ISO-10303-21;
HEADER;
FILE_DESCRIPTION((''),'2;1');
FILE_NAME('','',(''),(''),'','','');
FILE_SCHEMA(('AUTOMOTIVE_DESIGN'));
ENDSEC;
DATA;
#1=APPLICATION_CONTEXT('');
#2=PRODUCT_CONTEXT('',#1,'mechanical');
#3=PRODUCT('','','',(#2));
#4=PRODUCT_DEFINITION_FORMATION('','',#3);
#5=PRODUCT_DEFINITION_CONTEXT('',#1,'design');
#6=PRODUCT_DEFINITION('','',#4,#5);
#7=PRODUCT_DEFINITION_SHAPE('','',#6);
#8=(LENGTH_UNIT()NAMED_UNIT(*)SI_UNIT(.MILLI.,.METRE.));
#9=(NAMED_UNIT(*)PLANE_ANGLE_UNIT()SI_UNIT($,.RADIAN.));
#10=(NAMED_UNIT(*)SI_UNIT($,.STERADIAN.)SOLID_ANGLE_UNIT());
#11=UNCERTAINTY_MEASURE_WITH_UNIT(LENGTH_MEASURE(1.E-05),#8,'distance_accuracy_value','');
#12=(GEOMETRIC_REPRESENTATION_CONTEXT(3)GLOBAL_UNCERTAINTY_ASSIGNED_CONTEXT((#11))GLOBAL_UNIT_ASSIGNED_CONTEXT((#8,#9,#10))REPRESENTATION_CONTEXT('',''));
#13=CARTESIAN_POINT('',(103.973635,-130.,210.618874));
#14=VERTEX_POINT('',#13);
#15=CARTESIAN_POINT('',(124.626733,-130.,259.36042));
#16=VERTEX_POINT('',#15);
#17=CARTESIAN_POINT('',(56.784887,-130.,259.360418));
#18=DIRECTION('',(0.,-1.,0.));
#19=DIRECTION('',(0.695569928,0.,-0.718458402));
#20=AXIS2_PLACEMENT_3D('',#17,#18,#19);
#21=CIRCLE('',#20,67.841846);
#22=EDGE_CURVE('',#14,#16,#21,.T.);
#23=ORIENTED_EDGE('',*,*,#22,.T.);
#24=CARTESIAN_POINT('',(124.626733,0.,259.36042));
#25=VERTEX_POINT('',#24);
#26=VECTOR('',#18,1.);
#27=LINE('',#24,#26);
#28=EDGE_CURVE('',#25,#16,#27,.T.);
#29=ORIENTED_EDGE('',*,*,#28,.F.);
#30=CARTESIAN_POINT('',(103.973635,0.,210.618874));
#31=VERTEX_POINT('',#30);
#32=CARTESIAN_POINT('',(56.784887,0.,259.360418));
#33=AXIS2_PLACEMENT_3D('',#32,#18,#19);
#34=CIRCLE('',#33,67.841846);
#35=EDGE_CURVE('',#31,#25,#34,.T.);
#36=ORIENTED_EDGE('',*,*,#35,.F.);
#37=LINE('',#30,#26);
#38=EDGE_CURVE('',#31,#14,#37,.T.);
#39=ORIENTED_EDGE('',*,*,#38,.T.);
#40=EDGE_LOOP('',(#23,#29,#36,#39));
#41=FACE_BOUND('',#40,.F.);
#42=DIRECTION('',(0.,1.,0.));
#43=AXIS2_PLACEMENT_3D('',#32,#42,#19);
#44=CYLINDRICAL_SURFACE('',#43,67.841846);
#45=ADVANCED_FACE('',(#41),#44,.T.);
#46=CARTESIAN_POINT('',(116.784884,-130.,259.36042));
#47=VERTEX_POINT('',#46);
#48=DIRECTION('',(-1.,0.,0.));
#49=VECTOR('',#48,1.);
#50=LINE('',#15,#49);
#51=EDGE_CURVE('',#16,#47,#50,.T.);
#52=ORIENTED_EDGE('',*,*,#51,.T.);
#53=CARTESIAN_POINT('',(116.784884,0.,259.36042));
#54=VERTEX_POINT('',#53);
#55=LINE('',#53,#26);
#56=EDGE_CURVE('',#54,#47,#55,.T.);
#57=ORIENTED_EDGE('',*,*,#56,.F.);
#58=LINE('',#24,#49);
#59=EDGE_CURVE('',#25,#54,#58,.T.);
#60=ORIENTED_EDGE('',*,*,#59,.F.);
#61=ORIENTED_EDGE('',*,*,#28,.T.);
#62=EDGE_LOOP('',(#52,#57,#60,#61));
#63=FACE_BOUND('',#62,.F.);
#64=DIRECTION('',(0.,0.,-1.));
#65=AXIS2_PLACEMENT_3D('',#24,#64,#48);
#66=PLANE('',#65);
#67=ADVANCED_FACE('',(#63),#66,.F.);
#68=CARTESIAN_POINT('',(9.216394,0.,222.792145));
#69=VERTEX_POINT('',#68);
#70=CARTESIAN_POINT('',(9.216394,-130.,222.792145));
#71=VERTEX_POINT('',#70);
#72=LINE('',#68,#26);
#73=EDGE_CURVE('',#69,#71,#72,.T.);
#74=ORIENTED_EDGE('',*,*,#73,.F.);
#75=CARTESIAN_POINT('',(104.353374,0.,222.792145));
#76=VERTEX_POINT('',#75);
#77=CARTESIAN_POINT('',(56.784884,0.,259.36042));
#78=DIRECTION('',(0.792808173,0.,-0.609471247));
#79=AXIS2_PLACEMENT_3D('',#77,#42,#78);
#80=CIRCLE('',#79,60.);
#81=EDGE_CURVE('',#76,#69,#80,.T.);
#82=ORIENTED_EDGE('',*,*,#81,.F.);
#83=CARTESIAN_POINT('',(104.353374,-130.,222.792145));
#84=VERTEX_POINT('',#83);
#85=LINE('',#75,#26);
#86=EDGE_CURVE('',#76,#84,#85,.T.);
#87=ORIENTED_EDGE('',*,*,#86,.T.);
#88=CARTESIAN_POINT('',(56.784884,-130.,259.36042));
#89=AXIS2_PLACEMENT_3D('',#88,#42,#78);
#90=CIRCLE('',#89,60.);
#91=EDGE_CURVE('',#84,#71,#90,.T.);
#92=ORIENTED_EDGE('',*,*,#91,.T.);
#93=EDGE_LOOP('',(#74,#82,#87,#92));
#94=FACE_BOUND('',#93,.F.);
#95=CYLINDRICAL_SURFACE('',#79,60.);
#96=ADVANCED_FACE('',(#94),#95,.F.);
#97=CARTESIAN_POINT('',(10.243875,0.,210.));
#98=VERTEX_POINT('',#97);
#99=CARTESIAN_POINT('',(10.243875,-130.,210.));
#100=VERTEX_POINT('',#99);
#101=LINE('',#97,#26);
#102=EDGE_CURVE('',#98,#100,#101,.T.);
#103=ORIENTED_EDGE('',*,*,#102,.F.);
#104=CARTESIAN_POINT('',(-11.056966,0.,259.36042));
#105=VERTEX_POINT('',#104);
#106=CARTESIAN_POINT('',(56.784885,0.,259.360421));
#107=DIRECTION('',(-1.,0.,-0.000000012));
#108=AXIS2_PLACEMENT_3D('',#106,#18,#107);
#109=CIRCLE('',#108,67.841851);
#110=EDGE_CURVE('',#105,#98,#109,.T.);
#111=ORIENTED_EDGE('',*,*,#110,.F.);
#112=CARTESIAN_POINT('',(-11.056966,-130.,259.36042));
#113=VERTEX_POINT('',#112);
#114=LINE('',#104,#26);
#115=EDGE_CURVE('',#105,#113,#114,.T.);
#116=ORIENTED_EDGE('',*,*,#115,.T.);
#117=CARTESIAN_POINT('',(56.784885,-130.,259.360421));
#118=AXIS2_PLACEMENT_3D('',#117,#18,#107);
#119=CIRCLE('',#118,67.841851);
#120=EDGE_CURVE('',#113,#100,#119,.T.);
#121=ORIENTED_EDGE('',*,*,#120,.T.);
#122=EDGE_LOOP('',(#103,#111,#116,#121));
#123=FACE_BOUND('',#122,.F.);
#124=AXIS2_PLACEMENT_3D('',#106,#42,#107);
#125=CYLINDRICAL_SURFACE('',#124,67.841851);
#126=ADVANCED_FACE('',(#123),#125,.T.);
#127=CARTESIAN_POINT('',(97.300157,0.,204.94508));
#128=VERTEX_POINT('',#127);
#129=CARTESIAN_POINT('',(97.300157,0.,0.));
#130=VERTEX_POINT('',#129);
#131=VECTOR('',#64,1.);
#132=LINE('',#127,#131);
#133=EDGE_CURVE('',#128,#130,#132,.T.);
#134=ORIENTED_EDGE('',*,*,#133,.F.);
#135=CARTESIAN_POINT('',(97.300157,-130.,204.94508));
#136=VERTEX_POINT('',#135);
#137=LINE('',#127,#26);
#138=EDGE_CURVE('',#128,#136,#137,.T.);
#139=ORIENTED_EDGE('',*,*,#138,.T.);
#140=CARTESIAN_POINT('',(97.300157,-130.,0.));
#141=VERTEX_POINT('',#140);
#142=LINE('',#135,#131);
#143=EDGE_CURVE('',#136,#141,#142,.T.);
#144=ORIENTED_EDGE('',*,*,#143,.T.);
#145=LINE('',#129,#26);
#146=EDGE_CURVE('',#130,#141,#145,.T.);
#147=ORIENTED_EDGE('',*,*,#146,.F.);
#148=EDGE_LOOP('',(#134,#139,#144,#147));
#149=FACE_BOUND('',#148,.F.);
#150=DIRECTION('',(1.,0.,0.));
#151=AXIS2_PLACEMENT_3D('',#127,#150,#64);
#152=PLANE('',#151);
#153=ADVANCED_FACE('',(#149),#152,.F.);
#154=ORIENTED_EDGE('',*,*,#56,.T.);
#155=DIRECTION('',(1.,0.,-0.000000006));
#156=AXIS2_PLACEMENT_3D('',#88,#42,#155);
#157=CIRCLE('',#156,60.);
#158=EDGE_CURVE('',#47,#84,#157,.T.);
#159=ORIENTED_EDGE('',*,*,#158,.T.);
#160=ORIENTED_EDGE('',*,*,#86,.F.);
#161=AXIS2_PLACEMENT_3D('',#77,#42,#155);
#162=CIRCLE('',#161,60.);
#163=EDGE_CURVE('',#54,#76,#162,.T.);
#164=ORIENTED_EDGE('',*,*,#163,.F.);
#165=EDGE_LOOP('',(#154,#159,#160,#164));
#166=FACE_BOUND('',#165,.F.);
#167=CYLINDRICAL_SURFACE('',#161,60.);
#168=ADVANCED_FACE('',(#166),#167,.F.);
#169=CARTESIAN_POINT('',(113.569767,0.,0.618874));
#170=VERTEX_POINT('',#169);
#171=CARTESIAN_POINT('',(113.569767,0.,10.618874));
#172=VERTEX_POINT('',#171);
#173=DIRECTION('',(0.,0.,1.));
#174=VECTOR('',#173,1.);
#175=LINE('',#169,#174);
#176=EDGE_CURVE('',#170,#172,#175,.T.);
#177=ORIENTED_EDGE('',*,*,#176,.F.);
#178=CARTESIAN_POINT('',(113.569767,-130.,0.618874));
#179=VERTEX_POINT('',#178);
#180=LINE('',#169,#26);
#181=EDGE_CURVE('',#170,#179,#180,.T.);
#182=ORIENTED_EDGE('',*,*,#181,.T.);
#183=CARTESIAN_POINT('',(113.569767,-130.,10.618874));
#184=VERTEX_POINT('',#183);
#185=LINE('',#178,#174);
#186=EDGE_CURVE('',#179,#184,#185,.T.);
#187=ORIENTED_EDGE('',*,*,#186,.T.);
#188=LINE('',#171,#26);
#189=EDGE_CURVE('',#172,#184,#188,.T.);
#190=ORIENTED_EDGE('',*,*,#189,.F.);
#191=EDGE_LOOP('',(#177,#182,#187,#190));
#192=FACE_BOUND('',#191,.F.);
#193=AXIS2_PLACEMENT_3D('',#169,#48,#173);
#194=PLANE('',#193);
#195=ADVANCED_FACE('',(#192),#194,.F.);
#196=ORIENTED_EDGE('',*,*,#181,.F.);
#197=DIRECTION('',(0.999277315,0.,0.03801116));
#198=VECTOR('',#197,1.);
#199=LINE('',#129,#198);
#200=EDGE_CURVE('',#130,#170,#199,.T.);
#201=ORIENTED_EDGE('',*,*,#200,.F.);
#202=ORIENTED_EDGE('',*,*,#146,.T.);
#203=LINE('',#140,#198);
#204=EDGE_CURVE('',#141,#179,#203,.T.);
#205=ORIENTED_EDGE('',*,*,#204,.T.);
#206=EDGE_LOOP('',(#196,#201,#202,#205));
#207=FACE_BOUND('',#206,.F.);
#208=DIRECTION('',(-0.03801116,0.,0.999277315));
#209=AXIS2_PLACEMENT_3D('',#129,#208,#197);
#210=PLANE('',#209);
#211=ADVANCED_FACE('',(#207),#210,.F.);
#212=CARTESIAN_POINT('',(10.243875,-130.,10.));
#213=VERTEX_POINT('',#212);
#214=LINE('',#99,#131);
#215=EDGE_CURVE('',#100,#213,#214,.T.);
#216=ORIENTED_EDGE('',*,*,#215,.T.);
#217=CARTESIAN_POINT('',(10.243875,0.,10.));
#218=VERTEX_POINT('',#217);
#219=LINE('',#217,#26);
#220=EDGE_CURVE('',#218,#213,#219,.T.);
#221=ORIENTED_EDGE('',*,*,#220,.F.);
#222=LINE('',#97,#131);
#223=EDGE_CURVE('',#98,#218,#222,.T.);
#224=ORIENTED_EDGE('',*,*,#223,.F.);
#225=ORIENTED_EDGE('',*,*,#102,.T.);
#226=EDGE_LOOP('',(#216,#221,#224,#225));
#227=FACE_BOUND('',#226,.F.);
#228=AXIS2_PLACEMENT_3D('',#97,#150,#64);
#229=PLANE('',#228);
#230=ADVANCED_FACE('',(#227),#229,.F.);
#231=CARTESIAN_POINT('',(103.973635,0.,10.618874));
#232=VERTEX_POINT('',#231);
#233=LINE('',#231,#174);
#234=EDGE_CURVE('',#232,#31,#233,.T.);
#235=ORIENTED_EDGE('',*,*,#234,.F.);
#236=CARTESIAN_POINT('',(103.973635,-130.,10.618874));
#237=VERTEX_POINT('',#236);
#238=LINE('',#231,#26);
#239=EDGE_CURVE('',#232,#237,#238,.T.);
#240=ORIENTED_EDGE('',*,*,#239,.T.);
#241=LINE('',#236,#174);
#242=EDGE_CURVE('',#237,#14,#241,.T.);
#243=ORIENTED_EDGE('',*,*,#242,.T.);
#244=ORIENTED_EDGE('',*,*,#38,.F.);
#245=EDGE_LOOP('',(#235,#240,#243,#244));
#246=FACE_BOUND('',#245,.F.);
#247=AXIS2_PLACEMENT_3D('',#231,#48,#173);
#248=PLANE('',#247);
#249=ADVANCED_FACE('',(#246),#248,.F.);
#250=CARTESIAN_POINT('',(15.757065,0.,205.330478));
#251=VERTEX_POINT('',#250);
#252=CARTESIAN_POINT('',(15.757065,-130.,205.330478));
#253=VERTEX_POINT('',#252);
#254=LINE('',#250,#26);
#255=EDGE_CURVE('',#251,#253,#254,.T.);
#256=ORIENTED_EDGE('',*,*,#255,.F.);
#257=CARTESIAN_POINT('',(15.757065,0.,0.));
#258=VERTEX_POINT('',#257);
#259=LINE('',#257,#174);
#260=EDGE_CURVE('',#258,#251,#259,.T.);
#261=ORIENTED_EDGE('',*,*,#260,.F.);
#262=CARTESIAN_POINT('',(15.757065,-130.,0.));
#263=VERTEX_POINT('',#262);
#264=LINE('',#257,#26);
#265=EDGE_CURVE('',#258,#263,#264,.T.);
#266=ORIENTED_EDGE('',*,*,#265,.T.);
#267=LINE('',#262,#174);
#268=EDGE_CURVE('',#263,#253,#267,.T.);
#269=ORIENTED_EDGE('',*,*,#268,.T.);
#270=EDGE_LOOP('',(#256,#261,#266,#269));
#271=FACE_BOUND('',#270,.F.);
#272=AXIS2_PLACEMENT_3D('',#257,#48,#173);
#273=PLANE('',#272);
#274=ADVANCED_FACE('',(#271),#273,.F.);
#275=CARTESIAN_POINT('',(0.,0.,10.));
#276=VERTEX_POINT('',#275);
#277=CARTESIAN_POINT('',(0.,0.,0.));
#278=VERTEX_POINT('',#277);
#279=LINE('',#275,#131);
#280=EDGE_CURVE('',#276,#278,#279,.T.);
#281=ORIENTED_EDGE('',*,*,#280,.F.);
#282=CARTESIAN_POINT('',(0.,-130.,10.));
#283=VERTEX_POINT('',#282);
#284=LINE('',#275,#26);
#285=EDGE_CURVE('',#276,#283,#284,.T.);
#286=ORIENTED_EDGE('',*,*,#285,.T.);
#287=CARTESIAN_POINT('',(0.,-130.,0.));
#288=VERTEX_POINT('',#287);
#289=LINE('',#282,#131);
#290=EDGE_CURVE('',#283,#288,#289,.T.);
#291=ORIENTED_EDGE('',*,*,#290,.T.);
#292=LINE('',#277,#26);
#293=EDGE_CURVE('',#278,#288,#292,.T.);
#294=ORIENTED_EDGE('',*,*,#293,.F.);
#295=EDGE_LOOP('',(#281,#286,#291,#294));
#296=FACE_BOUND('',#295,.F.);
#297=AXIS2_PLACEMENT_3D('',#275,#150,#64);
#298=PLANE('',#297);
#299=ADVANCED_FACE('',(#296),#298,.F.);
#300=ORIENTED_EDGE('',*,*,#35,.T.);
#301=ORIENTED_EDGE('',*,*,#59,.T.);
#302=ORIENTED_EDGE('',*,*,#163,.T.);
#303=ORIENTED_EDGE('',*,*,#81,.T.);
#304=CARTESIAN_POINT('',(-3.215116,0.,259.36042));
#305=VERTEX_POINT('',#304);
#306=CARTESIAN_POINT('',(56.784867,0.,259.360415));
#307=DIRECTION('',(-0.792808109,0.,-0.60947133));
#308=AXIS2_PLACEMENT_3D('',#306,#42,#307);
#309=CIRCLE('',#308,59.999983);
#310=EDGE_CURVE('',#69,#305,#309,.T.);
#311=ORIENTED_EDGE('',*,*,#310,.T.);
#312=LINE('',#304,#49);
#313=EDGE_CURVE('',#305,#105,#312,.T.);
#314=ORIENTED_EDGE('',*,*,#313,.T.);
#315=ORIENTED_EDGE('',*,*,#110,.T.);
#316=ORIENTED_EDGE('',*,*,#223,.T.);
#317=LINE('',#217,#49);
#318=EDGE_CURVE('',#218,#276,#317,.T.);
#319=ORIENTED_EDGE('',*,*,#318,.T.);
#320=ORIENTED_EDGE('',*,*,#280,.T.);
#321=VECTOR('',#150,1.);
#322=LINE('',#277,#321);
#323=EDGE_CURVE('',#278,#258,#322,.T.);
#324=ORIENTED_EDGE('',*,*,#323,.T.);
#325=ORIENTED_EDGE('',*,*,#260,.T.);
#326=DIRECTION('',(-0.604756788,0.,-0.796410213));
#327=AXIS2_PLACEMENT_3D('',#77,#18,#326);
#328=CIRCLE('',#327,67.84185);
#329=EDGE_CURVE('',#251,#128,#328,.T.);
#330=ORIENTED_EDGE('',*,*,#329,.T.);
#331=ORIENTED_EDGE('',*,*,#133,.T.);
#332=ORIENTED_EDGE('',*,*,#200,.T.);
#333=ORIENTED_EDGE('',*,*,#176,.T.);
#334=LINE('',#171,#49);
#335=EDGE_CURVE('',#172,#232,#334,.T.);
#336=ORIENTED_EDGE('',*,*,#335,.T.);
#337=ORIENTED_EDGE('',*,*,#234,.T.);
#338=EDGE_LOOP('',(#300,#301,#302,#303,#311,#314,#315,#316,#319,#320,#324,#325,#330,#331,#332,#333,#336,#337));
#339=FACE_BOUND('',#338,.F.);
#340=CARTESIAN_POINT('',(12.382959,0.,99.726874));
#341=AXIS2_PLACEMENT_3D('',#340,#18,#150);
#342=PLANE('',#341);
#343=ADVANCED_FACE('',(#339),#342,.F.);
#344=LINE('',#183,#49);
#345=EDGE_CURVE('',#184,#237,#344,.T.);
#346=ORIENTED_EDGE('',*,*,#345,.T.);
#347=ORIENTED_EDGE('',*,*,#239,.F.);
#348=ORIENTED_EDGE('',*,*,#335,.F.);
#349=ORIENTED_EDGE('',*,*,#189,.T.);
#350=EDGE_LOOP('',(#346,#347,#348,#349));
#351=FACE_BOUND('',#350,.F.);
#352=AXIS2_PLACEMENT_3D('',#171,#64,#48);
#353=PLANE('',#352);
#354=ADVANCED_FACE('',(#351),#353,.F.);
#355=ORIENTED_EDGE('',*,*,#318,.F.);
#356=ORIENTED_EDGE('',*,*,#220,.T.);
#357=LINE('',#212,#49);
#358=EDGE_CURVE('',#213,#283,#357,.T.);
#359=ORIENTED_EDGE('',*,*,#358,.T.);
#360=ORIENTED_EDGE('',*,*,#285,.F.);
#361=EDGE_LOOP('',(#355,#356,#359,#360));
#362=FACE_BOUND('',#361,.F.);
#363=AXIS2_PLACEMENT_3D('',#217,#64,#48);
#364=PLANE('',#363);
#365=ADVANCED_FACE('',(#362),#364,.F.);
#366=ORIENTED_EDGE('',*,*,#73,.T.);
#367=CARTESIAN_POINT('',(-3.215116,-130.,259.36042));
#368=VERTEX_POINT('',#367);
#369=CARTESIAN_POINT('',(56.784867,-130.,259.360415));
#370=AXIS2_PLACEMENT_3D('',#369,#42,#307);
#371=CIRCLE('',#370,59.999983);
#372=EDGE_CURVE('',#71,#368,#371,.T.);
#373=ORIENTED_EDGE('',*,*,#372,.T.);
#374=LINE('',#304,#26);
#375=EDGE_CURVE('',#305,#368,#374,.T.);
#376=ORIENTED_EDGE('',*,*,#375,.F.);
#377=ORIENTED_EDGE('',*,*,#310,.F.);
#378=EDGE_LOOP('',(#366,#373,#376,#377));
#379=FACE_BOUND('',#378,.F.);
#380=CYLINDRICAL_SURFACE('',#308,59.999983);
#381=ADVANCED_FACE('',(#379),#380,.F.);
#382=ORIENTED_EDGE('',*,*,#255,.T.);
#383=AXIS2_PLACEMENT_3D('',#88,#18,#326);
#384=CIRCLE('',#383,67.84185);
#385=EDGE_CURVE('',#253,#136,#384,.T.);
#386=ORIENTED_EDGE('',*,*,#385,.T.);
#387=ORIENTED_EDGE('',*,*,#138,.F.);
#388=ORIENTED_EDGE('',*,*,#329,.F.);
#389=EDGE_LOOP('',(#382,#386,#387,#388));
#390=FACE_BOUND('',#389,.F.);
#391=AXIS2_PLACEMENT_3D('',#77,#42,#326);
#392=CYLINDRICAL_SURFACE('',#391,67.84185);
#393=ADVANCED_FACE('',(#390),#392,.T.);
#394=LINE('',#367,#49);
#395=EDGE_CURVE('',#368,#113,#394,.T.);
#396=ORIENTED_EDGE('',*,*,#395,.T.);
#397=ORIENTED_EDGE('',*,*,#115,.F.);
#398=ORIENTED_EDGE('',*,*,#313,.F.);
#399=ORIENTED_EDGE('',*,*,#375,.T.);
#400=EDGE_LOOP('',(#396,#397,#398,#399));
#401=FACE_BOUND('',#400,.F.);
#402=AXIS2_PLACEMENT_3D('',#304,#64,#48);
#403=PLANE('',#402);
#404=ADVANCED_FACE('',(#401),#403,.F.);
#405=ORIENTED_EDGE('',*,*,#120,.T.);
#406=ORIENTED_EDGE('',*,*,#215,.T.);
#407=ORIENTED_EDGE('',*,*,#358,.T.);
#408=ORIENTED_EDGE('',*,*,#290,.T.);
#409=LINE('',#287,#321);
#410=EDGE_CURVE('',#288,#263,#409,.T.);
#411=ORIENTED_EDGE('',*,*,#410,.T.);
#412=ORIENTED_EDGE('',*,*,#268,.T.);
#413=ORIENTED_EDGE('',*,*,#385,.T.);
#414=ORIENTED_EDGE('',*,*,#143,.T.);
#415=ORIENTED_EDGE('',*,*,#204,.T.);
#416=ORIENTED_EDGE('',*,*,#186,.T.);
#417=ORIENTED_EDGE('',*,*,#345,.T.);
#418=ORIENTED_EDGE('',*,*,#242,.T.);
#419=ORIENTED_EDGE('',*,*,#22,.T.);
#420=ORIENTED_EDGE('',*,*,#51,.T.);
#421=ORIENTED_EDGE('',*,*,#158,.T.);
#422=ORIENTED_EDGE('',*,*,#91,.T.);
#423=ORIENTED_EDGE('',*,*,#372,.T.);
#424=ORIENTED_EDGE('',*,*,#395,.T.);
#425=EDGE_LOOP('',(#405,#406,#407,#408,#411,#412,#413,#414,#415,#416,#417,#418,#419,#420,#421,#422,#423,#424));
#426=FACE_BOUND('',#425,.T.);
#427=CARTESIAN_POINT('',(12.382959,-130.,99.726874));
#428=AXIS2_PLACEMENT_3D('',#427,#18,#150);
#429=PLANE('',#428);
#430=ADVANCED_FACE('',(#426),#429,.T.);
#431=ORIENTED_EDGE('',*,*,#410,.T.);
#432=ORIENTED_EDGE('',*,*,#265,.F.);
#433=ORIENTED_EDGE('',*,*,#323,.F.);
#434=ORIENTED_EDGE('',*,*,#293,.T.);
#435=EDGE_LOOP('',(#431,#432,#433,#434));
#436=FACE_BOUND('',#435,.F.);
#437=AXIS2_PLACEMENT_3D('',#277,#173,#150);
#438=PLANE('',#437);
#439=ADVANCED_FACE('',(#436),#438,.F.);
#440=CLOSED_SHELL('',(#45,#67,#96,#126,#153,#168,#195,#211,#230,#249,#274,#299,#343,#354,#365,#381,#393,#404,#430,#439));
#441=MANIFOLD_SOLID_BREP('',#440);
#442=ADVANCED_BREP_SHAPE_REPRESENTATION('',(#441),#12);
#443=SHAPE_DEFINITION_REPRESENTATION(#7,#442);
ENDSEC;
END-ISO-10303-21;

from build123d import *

# Parameters (mm, degrees)
F1_DEPTH = 130


with BuildPart() as f1:
    # F0 (on Front) → F1 (new body)
    with BuildSketch(Plane.XZ):
        with BuildLine():
            Line((0, 10), (0, 0))
            Line((0, 0), (15.757065, 0))
            Line((15.757065, 0), (15.757065, 205.330478))
            ThreePointArc((15.757065, 205.330478), (12.938265, 207.591795), (10.243875, 210))
            Line((10.243875, 210), (10.243875, 10))
            Line((10.243875, 10), (0, 10))
        make_face()
        with BuildLine():
            ThreePointArc((10.243875, 210), (12.938265, 207.591795), (15.757065, 205.330478))
            ThreePointArc((15.757065, 205.330478), (56.464246, 191.519328), (97.300157, 204.94508))
            ThreePointArc((97.300157, 204.94508), (100.728563, 207.674159), (103.973635, 210.618874))
            ThreePointArc((103.973635, 210.618874), (119.250429, 232.892095), (124.626733, 259.36042))
            Line((124.626733, 259.36042), (116.784884, 259.36042))
            ThreePointArc((116.784884, 259.36042), (113.592055, 240.048628), (104.353374, 222.792145))
            ThreePointArc((104.353374, 222.792145), (56.784884, 199.36042), (9.216394, 222.792145))
            ThreePointArc((9.216394, 222.792145), (-0.022288, 240.048628), (-3.215116, 259.36042))
            Line((-3.215116, 259.36042), (-11.056966, 259.36042))
            ThreePointArc((-11.056966, 259.36042), (-5.50454, 232.480237), (10.243875, 210))
        make_face()
        with BuildLine():
            ThreePointArc((103.973635, 210.618874), (100.728563, 207.674159), (97.300157, 204.94508))
            Line((97.300157, 204.94508), (97.300157, 0))
            Line((97.300157, 0), (113.569767, 0.618874))
            Line((113.569767, 0.618874), (113.569767, 10.618874))
            Line((113.569767, 10.618874), (103.973635, 10.618874))
            Line((103.973635, 10.618874), (103.973635, 210.618874))
        make_face()
    extrude(amount=F1_DEPTH)


solid = f1.part
